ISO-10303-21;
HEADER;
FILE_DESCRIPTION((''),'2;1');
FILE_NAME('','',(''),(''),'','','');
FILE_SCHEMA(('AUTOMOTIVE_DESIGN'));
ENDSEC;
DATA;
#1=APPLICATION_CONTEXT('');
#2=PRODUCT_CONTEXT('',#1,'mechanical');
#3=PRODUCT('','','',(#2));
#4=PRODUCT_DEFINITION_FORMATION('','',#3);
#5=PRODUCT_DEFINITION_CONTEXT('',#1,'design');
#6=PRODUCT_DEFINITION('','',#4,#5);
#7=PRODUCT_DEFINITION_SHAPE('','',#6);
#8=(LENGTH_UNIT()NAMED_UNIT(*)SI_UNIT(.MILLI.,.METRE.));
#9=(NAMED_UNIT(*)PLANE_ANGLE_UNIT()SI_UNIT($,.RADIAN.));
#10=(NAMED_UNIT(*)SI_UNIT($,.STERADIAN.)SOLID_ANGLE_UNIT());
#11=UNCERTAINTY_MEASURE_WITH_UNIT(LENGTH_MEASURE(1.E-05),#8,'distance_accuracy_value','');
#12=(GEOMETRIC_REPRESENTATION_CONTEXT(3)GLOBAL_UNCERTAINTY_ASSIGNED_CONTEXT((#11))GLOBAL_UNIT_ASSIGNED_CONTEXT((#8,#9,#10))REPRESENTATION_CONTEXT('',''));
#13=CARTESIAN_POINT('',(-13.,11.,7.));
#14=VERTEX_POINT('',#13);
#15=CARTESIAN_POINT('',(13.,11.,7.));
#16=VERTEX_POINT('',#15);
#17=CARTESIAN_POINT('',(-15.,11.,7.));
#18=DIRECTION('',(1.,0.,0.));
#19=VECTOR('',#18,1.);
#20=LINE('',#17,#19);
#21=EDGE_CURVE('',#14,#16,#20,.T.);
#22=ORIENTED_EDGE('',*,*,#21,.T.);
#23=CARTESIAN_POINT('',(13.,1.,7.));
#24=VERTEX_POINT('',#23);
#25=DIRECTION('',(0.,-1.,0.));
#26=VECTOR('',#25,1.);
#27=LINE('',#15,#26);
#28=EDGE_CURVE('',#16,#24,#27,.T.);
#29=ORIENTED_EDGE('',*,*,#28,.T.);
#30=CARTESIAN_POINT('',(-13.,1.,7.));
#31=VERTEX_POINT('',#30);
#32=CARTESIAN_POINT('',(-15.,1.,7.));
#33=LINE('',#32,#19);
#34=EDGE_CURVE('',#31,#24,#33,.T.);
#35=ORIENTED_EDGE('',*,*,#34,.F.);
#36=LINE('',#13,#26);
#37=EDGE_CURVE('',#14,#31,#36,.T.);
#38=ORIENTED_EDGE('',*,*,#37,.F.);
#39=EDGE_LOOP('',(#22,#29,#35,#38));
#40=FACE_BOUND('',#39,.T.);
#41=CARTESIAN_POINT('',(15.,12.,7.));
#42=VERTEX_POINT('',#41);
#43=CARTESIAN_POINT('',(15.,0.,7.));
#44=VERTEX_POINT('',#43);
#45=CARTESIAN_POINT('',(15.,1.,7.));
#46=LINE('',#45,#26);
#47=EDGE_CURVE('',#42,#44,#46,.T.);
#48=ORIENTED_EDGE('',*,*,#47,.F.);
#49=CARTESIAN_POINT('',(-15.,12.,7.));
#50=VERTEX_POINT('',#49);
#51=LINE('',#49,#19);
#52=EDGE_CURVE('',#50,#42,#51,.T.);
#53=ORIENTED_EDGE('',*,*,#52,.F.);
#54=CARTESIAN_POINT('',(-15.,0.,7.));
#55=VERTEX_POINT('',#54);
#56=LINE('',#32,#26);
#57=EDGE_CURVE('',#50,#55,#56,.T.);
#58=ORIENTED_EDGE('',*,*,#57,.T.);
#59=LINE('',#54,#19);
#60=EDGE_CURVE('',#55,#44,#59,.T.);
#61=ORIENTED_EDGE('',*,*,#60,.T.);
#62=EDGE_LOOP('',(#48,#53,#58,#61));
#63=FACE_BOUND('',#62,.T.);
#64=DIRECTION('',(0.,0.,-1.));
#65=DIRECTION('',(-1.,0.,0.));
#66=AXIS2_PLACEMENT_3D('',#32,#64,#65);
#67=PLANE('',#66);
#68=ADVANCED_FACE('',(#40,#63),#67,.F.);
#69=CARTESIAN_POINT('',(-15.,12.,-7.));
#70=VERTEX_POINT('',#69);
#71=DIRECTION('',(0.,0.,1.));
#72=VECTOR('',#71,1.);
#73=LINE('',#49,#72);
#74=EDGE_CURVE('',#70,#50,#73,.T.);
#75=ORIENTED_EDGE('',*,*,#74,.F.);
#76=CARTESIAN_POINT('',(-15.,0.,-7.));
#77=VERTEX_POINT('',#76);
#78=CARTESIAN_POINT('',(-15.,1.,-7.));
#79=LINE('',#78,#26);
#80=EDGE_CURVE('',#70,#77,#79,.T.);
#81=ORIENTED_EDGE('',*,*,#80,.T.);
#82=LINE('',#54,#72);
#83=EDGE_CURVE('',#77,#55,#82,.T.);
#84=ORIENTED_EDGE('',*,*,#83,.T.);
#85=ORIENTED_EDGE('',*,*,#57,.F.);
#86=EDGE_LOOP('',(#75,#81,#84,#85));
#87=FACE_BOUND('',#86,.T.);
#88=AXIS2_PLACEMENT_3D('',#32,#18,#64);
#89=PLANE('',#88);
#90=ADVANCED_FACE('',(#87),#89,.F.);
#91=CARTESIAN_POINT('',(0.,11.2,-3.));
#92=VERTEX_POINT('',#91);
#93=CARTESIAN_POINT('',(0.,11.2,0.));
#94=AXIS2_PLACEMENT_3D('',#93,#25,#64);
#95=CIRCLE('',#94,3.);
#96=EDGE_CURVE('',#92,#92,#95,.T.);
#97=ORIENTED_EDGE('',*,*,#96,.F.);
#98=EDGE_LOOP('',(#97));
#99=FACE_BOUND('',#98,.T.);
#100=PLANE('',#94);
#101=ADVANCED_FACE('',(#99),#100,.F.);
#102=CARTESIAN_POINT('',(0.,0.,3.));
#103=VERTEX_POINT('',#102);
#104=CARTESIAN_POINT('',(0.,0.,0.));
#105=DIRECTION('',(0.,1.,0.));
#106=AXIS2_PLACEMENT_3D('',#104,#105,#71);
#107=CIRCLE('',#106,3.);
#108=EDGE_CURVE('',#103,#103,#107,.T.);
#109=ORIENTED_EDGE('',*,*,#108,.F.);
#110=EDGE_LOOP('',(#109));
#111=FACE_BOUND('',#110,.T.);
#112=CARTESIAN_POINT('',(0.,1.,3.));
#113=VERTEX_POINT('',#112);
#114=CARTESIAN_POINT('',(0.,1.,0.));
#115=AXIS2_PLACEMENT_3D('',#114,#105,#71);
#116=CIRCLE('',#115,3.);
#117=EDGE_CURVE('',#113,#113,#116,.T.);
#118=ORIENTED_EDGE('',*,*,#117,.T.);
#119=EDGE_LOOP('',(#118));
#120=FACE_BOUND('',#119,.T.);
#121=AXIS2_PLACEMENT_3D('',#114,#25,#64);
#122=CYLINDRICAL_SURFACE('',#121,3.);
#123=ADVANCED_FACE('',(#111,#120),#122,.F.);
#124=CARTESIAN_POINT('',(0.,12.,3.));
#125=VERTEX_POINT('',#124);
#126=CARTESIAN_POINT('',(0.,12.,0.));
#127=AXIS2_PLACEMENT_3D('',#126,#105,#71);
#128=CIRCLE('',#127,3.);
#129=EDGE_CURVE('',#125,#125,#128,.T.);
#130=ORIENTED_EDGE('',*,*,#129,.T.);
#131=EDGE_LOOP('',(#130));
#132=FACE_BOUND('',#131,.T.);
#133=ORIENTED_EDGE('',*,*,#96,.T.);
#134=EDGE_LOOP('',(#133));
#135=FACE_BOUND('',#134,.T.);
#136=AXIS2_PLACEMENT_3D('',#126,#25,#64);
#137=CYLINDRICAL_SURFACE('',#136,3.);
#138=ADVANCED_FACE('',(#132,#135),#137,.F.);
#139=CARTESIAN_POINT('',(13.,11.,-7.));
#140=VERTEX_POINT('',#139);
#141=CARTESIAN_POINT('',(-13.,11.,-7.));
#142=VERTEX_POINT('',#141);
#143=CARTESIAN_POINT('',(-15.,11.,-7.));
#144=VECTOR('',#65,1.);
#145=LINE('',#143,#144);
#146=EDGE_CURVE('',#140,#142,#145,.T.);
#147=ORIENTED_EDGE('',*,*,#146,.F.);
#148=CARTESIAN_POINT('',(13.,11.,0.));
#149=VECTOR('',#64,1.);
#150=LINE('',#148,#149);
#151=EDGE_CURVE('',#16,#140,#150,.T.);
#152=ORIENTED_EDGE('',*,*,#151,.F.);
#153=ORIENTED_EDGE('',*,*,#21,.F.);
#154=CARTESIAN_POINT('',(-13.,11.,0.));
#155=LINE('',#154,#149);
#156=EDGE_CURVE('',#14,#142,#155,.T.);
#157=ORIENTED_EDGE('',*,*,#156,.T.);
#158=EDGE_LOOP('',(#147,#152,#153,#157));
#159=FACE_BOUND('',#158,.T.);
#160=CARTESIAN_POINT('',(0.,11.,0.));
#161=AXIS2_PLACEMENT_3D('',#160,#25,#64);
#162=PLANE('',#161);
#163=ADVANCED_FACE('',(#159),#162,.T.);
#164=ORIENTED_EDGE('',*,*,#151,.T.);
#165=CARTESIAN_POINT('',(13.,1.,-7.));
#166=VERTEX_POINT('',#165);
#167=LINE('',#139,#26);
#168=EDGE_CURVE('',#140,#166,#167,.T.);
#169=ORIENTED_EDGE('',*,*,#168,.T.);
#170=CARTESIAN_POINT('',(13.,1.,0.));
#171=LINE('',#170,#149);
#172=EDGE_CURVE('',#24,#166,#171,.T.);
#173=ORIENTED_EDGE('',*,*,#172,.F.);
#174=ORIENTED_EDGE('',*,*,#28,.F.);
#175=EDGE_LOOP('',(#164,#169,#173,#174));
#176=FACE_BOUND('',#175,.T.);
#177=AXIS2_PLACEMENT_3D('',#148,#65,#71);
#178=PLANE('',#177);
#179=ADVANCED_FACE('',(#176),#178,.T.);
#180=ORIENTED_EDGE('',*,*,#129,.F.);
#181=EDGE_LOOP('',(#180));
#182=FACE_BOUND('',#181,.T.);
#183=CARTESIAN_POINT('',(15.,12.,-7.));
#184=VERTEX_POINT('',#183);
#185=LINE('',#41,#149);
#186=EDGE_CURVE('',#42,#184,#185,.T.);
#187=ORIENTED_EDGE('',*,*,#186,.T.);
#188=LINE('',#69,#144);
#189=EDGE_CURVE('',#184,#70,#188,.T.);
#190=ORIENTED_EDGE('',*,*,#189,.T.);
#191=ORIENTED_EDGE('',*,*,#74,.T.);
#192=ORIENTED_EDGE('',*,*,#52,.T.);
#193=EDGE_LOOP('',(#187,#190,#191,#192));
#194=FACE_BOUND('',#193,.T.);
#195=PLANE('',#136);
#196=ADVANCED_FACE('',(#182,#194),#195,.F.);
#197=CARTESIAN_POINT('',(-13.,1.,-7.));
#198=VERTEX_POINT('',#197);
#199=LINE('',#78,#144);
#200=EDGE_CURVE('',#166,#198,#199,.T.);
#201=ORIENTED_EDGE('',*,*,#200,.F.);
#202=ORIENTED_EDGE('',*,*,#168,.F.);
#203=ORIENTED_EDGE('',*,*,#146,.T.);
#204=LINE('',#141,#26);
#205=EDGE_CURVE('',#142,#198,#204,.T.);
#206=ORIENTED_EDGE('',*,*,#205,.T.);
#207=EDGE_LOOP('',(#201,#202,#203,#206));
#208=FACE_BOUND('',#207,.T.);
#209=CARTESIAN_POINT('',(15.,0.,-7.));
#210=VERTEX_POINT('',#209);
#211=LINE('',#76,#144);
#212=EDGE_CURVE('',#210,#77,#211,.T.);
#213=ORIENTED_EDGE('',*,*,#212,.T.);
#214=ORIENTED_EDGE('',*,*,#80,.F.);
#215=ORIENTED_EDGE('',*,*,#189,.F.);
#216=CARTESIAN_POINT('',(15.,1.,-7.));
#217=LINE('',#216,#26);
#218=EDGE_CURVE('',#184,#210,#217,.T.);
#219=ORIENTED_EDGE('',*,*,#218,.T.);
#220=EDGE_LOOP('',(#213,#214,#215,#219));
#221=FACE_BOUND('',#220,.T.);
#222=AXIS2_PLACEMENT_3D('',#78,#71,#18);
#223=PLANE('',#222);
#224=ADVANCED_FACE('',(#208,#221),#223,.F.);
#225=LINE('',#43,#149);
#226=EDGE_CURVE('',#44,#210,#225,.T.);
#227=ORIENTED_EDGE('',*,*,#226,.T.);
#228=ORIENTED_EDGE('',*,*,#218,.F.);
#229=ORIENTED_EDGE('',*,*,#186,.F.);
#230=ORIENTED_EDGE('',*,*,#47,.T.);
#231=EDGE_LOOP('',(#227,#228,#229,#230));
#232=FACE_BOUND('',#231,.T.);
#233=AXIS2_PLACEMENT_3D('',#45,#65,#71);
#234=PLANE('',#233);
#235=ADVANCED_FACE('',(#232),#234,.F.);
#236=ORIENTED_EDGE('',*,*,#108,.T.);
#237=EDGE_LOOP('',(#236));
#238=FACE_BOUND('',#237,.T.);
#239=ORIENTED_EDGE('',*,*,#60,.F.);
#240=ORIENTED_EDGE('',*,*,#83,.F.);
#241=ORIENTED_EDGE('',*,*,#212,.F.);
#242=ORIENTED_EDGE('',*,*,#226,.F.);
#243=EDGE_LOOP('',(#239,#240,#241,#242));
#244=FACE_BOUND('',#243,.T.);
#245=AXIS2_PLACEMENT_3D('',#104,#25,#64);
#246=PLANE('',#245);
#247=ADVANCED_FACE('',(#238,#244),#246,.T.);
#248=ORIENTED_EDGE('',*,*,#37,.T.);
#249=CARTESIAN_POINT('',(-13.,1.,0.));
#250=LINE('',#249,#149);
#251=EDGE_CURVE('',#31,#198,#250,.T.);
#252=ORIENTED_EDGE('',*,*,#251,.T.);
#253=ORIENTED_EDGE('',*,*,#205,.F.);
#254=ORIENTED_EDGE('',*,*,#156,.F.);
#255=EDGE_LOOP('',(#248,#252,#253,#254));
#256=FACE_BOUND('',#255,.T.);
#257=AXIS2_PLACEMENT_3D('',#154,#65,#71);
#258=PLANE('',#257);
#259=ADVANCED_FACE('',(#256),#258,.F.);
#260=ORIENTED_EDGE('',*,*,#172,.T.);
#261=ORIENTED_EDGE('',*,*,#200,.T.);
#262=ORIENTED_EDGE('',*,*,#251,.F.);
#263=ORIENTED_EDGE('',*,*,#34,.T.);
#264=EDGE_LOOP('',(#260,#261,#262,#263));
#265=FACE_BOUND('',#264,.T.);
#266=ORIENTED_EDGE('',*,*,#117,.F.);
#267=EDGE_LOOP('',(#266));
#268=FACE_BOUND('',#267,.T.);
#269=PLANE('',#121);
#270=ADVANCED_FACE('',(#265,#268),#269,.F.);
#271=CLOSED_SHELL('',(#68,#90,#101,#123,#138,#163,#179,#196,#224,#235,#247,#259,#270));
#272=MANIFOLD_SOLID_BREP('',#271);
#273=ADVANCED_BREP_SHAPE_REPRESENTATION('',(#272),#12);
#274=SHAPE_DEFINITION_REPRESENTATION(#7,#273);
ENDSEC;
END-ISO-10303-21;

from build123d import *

# Parameters (mm, degrees)
SKETCH_1_W      = 30
SKETCH_1_H      = 14
SKETCH_1_R      = 3
EXTRUDE_1_DEPTH = 1
SKETCH_2_W      = 2
SKETCH_2_H      = 14
EXTRUDE_2_DEPTH = 10
SKETCH_3_W      = 30
SKETCH_3_H      = 14
SKETCH_3_R      = 3
EXTRUDE_3_DEPTH = 1
SKETCH_4_R      = 3
EXTRUDE_4_DEPTH = 0.2


with BuildPart() as part:
    # Эскиз1 → Бобышка-Вытянуть1 (new body)
    with BuildSketch(Plane(origin=(0, 0, 0), x_dir=(1, 0, 0), z_dir=(0, 1, 0))):
        Rectangle(SKETCH_1_W, SKETCH_1_H)
        with Locations(Location((0, 0, 0), (0, 0, 270))):
            Circle(SKETCH_1_R, mode=Mode.SUBTRACT)
    extrude(amount=EXTRUDE_1_DEPTH)

    # Эскиз2 → Бобышка-Вытянуть2 (add)
    with BuildSketch(Plane(origin=(0, 1, 0), x_dir=(1, 0, 0), z_dir=(0, 1, 0))):
        with Locations((-14, 0)):
            Rectangle(SKETCH_2_W, SKETCH_2_H)
        with Locations((14, 0)):
            Rectangle(SKETCH_2_W, SKETCH_2_H)
    extrude(amount=EXTRUDE_2_DEPTH)

    # Эскиз3 → Бобышка-Вытянуть3 (add)
    with BuildSketch(Plane(origin=(0, 11, 0), x_dir=(1, 0, 0), z_dir=(0, 1, 0))):
        Rectangle(SKETCH_3_W, SKETCH_3_H)
        with Locations(Location((0, 0, 0), (0, 0, 270))):
            Circle(SKETCH_3_R, mode=Mode.SUBTRACT)
    extrude(amount=EXTRUDE_3_DEPTH)

    # Эскиз4 → Бобышка-Вытянуть4 (add)
    with BuildSketch(Plane.XZ.offset(-11)):
        with Locations(Location((0, 0, 0), (0, 0, 270))):
            Circle(SKETCH_4_R)
    extrude(amount=-EXTRUDE_4_DEPTH)


solid = part.part
